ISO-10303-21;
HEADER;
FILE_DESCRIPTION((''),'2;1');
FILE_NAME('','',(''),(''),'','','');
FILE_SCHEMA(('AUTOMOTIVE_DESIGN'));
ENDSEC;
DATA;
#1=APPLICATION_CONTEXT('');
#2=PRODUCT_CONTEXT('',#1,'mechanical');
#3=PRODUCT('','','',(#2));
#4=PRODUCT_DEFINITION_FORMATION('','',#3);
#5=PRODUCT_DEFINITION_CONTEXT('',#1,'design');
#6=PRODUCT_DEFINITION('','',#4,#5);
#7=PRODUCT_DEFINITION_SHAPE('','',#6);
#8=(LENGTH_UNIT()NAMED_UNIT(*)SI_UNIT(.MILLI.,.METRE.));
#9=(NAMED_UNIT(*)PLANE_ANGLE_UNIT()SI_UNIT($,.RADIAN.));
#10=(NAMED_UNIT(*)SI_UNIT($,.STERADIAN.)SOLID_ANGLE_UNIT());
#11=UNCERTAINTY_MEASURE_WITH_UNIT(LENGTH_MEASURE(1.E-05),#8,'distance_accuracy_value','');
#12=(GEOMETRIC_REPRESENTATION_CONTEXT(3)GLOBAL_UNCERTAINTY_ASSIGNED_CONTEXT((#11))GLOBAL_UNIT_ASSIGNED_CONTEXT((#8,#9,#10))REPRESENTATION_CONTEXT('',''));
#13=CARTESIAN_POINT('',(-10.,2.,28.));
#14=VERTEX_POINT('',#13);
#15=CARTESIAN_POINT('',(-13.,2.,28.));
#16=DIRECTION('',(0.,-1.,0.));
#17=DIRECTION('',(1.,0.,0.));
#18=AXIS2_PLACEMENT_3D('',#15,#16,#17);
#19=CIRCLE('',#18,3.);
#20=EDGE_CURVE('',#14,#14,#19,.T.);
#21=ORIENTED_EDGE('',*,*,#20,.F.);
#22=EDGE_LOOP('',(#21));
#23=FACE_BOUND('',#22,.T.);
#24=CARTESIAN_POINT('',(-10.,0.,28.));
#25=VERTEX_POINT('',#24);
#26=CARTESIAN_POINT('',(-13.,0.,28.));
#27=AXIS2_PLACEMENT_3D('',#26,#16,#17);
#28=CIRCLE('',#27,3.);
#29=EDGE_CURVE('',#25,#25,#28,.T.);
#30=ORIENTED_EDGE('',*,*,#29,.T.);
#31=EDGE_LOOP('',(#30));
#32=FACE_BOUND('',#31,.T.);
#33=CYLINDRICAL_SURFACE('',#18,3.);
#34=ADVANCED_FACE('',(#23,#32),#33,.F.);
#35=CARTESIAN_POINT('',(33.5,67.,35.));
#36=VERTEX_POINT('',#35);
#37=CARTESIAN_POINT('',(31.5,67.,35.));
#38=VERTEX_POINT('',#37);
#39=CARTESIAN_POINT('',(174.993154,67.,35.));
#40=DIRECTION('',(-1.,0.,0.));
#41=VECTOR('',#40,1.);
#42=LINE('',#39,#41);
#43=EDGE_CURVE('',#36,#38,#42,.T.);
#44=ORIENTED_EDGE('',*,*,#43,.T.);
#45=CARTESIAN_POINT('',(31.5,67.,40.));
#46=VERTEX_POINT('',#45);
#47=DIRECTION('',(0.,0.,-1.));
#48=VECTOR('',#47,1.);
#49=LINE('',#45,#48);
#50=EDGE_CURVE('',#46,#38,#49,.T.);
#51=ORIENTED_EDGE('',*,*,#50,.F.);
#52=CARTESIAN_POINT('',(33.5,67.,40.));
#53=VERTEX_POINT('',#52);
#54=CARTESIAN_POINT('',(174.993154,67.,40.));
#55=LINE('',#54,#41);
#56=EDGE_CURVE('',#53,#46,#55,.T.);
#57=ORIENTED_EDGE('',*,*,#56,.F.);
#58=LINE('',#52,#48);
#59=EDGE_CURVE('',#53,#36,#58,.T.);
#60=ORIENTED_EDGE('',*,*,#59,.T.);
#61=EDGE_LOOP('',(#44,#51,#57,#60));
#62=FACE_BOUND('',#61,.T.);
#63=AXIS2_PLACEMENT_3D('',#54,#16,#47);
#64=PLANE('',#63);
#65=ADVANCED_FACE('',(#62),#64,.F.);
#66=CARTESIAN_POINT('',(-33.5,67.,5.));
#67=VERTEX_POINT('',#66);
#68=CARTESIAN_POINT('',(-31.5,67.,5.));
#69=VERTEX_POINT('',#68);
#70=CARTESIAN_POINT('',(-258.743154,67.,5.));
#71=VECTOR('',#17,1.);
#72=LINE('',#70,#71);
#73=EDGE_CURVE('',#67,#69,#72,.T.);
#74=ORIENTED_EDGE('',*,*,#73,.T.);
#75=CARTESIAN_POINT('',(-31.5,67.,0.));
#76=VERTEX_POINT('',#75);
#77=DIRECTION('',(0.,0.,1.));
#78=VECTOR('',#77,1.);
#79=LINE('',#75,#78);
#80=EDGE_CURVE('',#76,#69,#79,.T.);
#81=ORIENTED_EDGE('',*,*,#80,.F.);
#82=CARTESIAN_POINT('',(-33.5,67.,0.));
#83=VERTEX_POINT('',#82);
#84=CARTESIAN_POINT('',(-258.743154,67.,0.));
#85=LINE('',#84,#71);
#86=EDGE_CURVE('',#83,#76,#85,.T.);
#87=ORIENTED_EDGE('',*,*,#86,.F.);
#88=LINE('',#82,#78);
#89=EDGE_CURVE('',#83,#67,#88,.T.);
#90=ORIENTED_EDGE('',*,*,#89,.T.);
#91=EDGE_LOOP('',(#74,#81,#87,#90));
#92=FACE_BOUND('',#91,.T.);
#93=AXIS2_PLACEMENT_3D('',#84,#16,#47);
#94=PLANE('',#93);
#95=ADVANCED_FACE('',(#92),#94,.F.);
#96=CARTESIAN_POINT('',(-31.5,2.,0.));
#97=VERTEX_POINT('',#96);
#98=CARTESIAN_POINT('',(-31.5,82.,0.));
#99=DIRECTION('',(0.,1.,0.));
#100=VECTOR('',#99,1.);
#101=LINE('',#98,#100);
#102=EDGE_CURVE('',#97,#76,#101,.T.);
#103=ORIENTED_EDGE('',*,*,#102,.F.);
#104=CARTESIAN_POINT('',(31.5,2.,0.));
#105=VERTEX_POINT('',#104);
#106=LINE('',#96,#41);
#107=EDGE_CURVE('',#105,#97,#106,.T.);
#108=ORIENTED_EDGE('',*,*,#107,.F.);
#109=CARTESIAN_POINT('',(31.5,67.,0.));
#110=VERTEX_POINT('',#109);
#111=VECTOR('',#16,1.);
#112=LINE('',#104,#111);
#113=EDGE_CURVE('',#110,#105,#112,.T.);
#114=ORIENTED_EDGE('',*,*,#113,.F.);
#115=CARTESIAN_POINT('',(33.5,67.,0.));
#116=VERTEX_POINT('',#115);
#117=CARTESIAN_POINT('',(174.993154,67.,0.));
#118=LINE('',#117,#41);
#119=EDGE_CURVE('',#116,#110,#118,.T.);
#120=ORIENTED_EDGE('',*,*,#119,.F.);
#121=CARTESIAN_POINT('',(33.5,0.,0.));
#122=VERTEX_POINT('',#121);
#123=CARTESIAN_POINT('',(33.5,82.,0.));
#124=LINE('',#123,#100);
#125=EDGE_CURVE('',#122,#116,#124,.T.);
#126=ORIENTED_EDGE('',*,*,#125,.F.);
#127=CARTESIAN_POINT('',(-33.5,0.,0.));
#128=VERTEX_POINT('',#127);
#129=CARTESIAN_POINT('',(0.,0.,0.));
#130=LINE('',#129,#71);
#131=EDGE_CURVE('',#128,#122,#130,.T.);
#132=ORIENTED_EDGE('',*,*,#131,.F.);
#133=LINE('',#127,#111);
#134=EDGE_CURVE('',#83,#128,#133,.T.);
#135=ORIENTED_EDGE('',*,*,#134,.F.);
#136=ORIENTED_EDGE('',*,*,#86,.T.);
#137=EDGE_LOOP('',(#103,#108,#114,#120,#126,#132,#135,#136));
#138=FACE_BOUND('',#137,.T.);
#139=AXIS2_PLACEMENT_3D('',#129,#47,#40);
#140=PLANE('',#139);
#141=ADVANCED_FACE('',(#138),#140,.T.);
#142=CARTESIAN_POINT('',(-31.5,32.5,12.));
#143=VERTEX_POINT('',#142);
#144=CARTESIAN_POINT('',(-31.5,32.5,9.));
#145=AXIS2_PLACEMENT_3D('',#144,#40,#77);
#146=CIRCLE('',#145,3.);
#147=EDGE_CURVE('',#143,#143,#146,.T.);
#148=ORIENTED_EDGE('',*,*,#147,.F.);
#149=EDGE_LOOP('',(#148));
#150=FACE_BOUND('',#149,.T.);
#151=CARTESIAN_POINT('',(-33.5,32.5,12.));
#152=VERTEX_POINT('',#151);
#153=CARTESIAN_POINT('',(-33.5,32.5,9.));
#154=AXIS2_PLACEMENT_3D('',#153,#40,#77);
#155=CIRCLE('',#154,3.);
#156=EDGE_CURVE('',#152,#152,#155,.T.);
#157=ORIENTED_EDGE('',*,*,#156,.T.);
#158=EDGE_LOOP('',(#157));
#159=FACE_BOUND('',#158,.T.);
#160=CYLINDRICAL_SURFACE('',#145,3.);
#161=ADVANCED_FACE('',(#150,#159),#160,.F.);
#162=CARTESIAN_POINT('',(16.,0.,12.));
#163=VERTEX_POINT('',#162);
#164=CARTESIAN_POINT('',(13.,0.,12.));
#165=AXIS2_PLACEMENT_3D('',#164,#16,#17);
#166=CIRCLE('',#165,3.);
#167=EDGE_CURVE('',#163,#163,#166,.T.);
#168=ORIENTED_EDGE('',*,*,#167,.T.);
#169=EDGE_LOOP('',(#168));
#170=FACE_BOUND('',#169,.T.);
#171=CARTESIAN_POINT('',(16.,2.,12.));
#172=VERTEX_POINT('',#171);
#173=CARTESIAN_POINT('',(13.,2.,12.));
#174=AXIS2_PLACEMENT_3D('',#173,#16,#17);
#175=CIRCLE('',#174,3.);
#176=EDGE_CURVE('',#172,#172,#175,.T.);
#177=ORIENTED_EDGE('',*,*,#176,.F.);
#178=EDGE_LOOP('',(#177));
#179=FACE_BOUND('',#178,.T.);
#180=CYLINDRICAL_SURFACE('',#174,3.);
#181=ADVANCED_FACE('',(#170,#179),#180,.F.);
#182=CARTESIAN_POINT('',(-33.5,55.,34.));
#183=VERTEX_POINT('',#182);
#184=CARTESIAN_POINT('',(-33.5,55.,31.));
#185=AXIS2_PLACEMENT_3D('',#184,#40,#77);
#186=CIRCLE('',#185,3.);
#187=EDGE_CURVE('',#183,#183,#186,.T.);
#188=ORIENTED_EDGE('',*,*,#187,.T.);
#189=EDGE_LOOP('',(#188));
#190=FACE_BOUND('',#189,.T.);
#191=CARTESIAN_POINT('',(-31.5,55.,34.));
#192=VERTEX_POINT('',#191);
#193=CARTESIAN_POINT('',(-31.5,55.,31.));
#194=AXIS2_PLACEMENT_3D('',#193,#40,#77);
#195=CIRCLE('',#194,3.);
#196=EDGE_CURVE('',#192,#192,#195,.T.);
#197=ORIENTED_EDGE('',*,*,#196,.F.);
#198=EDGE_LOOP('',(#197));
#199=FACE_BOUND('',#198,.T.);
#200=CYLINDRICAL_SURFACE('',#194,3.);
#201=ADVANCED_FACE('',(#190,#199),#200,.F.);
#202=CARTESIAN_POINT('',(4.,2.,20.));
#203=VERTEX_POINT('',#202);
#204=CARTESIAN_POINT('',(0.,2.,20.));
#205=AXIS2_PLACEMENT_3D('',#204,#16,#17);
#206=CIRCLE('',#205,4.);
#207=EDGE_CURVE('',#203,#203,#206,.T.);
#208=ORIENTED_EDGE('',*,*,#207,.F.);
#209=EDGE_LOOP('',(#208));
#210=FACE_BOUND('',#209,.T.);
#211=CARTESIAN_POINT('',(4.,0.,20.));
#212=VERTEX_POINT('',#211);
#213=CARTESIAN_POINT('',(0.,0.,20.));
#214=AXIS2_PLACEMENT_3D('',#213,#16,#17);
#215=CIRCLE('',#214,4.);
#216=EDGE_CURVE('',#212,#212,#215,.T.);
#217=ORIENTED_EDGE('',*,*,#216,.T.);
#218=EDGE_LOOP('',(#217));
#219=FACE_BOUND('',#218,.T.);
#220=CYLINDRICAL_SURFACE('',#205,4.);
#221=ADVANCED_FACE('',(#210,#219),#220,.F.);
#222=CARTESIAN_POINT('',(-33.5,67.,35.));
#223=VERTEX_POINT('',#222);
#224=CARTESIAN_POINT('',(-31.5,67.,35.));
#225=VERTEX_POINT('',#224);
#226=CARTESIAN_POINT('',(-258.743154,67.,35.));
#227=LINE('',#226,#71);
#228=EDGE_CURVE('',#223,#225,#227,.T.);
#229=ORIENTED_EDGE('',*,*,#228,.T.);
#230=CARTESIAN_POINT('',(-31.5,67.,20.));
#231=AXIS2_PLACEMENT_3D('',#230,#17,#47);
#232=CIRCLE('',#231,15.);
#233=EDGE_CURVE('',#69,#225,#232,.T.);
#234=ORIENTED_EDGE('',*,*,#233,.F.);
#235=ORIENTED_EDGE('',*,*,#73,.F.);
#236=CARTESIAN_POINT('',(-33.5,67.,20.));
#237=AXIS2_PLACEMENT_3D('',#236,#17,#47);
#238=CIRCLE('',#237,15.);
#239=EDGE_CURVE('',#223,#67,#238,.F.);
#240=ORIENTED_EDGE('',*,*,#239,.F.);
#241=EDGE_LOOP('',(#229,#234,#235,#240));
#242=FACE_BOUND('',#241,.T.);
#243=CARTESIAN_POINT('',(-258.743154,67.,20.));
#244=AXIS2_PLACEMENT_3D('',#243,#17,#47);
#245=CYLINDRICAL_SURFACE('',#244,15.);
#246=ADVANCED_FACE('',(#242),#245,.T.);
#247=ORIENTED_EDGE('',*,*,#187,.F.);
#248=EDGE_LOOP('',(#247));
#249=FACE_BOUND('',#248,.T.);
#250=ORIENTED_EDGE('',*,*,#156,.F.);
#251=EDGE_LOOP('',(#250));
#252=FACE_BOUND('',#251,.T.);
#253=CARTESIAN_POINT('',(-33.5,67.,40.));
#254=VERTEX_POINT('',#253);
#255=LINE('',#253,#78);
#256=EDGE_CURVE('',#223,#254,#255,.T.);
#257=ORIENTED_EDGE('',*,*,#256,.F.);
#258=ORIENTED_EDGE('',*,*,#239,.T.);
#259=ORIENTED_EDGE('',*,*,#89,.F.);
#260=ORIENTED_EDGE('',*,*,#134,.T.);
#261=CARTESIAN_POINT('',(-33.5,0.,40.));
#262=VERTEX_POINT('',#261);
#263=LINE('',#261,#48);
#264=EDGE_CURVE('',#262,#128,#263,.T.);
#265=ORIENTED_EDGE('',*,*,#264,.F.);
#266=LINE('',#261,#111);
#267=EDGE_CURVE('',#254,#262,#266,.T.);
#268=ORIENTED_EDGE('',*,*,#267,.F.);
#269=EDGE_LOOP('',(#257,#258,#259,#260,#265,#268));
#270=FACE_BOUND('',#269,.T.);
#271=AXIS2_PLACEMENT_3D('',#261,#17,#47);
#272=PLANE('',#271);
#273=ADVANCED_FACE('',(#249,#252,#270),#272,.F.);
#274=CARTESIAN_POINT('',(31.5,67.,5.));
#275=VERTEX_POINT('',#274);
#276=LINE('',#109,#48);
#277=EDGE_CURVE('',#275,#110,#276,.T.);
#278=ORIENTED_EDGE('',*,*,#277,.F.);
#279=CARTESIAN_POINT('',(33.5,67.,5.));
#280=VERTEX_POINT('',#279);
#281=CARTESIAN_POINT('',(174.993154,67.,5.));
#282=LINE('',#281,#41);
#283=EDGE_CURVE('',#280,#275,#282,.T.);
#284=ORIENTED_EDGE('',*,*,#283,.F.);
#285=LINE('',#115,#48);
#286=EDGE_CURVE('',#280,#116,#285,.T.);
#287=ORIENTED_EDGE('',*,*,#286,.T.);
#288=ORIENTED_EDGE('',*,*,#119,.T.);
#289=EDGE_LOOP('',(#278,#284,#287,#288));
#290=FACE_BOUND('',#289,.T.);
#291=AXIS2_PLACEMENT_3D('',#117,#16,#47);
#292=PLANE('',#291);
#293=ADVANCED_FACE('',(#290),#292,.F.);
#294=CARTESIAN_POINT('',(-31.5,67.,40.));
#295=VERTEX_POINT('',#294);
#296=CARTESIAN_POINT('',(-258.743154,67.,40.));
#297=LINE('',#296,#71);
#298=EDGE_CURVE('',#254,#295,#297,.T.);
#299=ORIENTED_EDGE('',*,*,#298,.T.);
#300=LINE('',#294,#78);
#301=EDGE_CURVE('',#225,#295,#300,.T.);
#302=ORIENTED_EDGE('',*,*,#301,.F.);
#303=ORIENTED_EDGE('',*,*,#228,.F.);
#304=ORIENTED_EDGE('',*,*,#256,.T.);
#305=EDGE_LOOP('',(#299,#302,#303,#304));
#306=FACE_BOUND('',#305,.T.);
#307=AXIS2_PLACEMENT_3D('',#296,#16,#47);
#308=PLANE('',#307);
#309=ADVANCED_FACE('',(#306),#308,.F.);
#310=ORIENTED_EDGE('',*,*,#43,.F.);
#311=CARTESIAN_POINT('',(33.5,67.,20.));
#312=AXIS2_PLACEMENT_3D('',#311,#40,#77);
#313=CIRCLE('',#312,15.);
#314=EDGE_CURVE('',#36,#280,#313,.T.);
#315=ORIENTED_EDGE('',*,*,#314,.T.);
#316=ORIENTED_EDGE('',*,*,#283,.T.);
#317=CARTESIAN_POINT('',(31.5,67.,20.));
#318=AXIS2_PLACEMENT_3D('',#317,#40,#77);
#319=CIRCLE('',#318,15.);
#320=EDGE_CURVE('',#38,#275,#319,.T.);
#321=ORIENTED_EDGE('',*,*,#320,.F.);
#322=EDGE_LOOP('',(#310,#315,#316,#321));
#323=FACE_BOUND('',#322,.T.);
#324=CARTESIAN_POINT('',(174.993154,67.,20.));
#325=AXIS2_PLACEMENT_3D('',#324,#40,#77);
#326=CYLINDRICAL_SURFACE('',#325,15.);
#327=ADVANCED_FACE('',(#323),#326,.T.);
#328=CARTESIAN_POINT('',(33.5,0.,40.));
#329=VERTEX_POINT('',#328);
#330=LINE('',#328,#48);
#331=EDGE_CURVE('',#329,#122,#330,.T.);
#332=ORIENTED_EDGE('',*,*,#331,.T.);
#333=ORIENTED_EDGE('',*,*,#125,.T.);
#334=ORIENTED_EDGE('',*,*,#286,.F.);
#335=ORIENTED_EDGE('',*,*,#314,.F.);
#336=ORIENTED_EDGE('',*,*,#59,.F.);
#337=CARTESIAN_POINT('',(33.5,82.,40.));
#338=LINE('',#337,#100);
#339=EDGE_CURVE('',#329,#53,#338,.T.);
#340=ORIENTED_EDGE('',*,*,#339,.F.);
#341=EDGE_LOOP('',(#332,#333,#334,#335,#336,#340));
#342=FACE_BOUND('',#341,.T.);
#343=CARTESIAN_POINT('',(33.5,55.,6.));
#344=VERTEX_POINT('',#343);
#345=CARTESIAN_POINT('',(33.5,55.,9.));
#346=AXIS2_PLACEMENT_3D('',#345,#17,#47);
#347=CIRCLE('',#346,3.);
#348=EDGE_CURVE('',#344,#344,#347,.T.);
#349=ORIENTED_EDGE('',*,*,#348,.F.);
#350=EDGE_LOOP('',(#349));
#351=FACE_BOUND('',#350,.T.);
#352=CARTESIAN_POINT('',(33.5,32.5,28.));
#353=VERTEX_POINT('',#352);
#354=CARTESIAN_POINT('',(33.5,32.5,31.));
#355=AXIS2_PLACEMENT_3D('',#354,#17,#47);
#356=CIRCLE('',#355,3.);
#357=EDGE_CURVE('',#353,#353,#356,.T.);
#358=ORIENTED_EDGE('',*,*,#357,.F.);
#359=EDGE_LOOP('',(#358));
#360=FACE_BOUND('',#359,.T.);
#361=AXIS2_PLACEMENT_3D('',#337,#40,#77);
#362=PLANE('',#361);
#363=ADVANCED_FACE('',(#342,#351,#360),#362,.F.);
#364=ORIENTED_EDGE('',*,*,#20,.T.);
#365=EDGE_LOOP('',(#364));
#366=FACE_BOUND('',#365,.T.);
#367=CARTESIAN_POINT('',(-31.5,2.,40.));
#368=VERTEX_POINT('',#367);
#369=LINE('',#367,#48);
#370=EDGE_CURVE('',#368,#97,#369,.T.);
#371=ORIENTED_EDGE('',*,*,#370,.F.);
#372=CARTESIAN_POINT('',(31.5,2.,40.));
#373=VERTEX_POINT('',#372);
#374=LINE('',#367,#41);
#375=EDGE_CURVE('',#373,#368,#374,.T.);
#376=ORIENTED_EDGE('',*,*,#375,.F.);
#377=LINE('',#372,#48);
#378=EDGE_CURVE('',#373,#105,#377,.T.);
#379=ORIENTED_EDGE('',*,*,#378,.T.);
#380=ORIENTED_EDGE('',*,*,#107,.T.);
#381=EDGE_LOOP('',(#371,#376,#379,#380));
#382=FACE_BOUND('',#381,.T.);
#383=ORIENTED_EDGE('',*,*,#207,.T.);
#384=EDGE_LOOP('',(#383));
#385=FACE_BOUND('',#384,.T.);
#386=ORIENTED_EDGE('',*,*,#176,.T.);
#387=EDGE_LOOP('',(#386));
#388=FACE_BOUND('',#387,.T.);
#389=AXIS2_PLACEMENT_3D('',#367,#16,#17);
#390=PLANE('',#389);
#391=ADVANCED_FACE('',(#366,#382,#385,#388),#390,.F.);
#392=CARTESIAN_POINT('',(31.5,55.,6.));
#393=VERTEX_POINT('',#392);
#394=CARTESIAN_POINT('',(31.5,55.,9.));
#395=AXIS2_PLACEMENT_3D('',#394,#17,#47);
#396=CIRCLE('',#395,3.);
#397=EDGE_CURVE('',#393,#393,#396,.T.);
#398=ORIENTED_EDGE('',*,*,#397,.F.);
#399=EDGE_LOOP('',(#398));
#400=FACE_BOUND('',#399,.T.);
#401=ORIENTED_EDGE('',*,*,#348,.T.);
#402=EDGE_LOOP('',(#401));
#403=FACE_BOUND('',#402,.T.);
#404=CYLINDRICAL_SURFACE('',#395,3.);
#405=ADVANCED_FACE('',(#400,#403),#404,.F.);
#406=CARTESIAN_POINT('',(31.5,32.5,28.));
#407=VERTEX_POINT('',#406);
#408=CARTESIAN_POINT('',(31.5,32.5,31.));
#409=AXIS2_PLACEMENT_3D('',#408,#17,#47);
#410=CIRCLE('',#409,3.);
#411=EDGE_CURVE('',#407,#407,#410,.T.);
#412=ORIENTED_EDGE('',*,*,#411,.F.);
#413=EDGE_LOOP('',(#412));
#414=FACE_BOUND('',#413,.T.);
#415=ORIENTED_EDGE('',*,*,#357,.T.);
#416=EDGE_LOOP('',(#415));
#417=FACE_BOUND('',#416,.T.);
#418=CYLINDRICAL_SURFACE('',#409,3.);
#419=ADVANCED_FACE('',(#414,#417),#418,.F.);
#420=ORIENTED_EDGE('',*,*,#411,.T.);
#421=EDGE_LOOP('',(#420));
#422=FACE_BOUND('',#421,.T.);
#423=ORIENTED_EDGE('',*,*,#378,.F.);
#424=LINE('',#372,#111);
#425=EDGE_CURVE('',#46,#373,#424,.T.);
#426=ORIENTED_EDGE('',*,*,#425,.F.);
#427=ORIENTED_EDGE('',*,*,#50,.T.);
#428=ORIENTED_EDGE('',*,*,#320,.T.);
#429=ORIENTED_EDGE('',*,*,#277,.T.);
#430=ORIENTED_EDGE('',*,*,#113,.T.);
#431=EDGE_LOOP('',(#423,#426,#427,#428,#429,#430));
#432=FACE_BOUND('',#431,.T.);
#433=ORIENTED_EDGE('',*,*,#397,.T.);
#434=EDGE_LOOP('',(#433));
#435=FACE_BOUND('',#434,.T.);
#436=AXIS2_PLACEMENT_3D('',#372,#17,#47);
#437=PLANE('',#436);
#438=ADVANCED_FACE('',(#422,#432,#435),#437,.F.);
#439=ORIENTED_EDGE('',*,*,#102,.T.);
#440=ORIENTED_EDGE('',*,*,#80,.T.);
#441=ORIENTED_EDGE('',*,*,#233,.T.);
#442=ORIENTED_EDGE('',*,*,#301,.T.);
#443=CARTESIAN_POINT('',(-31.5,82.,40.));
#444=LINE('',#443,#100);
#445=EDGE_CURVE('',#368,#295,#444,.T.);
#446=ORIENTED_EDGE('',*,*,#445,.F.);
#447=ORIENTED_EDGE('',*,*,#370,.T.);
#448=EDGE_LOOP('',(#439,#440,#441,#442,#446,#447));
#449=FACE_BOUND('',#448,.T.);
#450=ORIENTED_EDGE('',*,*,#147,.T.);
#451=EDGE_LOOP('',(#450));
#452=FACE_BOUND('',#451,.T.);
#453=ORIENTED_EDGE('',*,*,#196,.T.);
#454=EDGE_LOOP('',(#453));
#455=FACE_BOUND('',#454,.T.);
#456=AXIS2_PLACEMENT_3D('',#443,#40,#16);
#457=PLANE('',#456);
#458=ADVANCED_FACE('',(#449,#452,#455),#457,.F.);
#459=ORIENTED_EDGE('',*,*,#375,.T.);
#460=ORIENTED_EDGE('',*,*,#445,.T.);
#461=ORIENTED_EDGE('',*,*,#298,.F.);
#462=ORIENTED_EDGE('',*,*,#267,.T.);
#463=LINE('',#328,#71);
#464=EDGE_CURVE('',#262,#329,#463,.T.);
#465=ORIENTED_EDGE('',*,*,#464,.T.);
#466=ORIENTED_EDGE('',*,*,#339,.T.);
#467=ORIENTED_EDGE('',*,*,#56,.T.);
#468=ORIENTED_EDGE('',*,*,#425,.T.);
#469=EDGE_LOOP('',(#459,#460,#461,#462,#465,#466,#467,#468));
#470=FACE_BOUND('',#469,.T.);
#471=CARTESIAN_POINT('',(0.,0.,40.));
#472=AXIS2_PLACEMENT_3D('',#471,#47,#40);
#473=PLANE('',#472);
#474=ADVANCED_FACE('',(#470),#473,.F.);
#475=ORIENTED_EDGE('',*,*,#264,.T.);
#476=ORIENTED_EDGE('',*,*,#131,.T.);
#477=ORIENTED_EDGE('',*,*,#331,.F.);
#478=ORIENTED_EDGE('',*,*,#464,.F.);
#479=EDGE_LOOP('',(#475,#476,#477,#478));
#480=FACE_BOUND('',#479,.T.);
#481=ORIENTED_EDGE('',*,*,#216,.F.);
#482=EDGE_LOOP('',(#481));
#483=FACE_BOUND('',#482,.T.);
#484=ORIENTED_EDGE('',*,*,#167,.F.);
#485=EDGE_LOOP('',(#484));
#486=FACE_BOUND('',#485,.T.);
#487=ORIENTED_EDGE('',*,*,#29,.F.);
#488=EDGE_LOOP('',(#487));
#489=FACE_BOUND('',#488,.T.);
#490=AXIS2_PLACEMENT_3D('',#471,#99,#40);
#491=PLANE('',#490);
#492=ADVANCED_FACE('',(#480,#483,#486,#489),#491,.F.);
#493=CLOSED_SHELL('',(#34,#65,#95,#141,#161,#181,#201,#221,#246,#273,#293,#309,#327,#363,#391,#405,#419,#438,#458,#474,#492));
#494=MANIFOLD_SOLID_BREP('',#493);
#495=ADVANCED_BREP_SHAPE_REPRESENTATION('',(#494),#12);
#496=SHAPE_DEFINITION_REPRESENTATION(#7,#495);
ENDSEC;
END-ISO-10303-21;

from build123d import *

# Parameters (mm, degrees)
BOSS_EXTRUDE1_DEPTH      = 40
SKETCH2_R                = 4
SKETCH2_R_2              = 3
CUT_EXTRUDE2_DEPTH       = 2
CUT_EXTRUDE8_DEPTH       = 114.194522836
CUT_EXTRUDE8_DEPTH_BACK  = 2
SKETCH5_R                = 3
CUT_EXTRUDE9_DEPTH       = 2
SKETCH6_R                = 3
CUT_EXTRUDE10_DEPTH      = 2
CUT_EXTRUDE11_DEPTH      = 114.194522836
CUT_EXTRUDE11_DEPTH_BACK = 2


with BuildPart() as part:
    # MetalPart → Boss-Extrude1 (new body)
    with BuildSketch(Plane.XY):
        Polygon((0, 0), (-33.5, 0), (-33.5, 82), (-31.5, 82), (-31.5, 2), (31.5, 2), (31.5, 82), (33.5, 82), (33.5, 0), align=None)
    extrude(amount=BOSS_EXTRUDE1_DEPTH)

    # Sketch2 → Cut-Extrude2 (cut)
    with BuildSketch(Plane.XZ):
        with Locations((0, 20)):
            Circle(SKETCH2_R)
        with Locations((-13, 28)):
            Circle(SKETCH2_R_2)
        with Locations((13, 12)):
            Circle(SKETCH2_R_2)
    extrude(amount=-CUT_EXTRUDE2_DEPTH, mode=Mode.SUBTRACT)

    # Sketch3 → Cut-Extrude8 (cut, two sides: drawn at the far end of the back side and taken through both)
    with BuildSketch(Plane(origin=(33.5, 0, 0), x_dir=(0, 0, -1), z_dir=(1, 0, 0)).offset(-CUT_EXTRUDE8_DEPTH_BACK)):
        with BuildLine():
            Line((-206.064089399, 67), (-40, 67))
            Line((-40, 67), (-35, 67))
            ThreePointArc((-35, 67), (-20, 82), (-5, 67))
            Line((-5, 67), (0, 67))
            Line((0, 67), (166.064089399, 67))
            Line((166.064089399, 67), (166.064089399, 399.128178798))
            Line((166.064089399, 399.128178798), (-206.064089399, 399.128178798))
            Line((-206.064089399, 399.128178798), (-206.064089399, 67))
        make_face()
    extrude(amount=CUT_EXTRUDE8_DEPTH + CUT_EXTRUDE8_DEPTH_BACK, mode=Mode.SUBTRACT)

    # Sketch5 → Cut-Extrude9 (cut)
    with BuildSketch(Plane(origin=(33.5, 0, 0), x_dir=(0, 0, -1), z_dir=(1, 0, 0))):
        with Locations((-9, 55)):
            Circle(SKETCH5_R)
        with Locations((-31, 32.5)):
            Circle(SKETCH5_R)
    extrude(amount=-CUT_EXTRUDE9_DEPTH, mode=Mode.SUBTRACT)

    # Sketch6 → Cut-Extrude10 (cut)
    with BuildSketch(Plane.ZY.offset(33.5)):
        with Locations((9, 32.5)):
            Circle(SKETCH6_R)
        with Locations((31, 55)):
            Circle(SKETCH6_R)
    extrude(amount=-CUT_EXTRUDE10_DEPTH, mode=Mode.SUBTRACT)

    # Sketch7 → Cut-Extrude11 (cut, two sides: drawn at the far end of the back side and taken through both)
    with BuildSketch(Plane.ZY.offset(33.5).offset(-CUT_EXTRUDE11_DEPTH_BACK)):
        with BuildLine():
            Line((-166.064089399, 67), (0, 67))
            Line((0, 67), (5, 67))
            ThreePointArc((5, 67), (20, 82), (35, 67))
            Line((35, 67), (40, 67))
            Line((40, 67), (206.064089399, 67))
            Line((206.064089399, 67), (206.064089399, 399.128178798))
            Line((206.064089399, 399.128178798), (-166.064089399, 399.128178798))
            Line((-166.064089399, 399.128178798), (-166.064089399, 67))
        make_face()
    extrude(amount=CUT_EXTRUDE11_DEPTH + CUT_EXTRUDE11_DEPTH_BACK, mode=Mode.SUBTRACT)


solid = part.part
